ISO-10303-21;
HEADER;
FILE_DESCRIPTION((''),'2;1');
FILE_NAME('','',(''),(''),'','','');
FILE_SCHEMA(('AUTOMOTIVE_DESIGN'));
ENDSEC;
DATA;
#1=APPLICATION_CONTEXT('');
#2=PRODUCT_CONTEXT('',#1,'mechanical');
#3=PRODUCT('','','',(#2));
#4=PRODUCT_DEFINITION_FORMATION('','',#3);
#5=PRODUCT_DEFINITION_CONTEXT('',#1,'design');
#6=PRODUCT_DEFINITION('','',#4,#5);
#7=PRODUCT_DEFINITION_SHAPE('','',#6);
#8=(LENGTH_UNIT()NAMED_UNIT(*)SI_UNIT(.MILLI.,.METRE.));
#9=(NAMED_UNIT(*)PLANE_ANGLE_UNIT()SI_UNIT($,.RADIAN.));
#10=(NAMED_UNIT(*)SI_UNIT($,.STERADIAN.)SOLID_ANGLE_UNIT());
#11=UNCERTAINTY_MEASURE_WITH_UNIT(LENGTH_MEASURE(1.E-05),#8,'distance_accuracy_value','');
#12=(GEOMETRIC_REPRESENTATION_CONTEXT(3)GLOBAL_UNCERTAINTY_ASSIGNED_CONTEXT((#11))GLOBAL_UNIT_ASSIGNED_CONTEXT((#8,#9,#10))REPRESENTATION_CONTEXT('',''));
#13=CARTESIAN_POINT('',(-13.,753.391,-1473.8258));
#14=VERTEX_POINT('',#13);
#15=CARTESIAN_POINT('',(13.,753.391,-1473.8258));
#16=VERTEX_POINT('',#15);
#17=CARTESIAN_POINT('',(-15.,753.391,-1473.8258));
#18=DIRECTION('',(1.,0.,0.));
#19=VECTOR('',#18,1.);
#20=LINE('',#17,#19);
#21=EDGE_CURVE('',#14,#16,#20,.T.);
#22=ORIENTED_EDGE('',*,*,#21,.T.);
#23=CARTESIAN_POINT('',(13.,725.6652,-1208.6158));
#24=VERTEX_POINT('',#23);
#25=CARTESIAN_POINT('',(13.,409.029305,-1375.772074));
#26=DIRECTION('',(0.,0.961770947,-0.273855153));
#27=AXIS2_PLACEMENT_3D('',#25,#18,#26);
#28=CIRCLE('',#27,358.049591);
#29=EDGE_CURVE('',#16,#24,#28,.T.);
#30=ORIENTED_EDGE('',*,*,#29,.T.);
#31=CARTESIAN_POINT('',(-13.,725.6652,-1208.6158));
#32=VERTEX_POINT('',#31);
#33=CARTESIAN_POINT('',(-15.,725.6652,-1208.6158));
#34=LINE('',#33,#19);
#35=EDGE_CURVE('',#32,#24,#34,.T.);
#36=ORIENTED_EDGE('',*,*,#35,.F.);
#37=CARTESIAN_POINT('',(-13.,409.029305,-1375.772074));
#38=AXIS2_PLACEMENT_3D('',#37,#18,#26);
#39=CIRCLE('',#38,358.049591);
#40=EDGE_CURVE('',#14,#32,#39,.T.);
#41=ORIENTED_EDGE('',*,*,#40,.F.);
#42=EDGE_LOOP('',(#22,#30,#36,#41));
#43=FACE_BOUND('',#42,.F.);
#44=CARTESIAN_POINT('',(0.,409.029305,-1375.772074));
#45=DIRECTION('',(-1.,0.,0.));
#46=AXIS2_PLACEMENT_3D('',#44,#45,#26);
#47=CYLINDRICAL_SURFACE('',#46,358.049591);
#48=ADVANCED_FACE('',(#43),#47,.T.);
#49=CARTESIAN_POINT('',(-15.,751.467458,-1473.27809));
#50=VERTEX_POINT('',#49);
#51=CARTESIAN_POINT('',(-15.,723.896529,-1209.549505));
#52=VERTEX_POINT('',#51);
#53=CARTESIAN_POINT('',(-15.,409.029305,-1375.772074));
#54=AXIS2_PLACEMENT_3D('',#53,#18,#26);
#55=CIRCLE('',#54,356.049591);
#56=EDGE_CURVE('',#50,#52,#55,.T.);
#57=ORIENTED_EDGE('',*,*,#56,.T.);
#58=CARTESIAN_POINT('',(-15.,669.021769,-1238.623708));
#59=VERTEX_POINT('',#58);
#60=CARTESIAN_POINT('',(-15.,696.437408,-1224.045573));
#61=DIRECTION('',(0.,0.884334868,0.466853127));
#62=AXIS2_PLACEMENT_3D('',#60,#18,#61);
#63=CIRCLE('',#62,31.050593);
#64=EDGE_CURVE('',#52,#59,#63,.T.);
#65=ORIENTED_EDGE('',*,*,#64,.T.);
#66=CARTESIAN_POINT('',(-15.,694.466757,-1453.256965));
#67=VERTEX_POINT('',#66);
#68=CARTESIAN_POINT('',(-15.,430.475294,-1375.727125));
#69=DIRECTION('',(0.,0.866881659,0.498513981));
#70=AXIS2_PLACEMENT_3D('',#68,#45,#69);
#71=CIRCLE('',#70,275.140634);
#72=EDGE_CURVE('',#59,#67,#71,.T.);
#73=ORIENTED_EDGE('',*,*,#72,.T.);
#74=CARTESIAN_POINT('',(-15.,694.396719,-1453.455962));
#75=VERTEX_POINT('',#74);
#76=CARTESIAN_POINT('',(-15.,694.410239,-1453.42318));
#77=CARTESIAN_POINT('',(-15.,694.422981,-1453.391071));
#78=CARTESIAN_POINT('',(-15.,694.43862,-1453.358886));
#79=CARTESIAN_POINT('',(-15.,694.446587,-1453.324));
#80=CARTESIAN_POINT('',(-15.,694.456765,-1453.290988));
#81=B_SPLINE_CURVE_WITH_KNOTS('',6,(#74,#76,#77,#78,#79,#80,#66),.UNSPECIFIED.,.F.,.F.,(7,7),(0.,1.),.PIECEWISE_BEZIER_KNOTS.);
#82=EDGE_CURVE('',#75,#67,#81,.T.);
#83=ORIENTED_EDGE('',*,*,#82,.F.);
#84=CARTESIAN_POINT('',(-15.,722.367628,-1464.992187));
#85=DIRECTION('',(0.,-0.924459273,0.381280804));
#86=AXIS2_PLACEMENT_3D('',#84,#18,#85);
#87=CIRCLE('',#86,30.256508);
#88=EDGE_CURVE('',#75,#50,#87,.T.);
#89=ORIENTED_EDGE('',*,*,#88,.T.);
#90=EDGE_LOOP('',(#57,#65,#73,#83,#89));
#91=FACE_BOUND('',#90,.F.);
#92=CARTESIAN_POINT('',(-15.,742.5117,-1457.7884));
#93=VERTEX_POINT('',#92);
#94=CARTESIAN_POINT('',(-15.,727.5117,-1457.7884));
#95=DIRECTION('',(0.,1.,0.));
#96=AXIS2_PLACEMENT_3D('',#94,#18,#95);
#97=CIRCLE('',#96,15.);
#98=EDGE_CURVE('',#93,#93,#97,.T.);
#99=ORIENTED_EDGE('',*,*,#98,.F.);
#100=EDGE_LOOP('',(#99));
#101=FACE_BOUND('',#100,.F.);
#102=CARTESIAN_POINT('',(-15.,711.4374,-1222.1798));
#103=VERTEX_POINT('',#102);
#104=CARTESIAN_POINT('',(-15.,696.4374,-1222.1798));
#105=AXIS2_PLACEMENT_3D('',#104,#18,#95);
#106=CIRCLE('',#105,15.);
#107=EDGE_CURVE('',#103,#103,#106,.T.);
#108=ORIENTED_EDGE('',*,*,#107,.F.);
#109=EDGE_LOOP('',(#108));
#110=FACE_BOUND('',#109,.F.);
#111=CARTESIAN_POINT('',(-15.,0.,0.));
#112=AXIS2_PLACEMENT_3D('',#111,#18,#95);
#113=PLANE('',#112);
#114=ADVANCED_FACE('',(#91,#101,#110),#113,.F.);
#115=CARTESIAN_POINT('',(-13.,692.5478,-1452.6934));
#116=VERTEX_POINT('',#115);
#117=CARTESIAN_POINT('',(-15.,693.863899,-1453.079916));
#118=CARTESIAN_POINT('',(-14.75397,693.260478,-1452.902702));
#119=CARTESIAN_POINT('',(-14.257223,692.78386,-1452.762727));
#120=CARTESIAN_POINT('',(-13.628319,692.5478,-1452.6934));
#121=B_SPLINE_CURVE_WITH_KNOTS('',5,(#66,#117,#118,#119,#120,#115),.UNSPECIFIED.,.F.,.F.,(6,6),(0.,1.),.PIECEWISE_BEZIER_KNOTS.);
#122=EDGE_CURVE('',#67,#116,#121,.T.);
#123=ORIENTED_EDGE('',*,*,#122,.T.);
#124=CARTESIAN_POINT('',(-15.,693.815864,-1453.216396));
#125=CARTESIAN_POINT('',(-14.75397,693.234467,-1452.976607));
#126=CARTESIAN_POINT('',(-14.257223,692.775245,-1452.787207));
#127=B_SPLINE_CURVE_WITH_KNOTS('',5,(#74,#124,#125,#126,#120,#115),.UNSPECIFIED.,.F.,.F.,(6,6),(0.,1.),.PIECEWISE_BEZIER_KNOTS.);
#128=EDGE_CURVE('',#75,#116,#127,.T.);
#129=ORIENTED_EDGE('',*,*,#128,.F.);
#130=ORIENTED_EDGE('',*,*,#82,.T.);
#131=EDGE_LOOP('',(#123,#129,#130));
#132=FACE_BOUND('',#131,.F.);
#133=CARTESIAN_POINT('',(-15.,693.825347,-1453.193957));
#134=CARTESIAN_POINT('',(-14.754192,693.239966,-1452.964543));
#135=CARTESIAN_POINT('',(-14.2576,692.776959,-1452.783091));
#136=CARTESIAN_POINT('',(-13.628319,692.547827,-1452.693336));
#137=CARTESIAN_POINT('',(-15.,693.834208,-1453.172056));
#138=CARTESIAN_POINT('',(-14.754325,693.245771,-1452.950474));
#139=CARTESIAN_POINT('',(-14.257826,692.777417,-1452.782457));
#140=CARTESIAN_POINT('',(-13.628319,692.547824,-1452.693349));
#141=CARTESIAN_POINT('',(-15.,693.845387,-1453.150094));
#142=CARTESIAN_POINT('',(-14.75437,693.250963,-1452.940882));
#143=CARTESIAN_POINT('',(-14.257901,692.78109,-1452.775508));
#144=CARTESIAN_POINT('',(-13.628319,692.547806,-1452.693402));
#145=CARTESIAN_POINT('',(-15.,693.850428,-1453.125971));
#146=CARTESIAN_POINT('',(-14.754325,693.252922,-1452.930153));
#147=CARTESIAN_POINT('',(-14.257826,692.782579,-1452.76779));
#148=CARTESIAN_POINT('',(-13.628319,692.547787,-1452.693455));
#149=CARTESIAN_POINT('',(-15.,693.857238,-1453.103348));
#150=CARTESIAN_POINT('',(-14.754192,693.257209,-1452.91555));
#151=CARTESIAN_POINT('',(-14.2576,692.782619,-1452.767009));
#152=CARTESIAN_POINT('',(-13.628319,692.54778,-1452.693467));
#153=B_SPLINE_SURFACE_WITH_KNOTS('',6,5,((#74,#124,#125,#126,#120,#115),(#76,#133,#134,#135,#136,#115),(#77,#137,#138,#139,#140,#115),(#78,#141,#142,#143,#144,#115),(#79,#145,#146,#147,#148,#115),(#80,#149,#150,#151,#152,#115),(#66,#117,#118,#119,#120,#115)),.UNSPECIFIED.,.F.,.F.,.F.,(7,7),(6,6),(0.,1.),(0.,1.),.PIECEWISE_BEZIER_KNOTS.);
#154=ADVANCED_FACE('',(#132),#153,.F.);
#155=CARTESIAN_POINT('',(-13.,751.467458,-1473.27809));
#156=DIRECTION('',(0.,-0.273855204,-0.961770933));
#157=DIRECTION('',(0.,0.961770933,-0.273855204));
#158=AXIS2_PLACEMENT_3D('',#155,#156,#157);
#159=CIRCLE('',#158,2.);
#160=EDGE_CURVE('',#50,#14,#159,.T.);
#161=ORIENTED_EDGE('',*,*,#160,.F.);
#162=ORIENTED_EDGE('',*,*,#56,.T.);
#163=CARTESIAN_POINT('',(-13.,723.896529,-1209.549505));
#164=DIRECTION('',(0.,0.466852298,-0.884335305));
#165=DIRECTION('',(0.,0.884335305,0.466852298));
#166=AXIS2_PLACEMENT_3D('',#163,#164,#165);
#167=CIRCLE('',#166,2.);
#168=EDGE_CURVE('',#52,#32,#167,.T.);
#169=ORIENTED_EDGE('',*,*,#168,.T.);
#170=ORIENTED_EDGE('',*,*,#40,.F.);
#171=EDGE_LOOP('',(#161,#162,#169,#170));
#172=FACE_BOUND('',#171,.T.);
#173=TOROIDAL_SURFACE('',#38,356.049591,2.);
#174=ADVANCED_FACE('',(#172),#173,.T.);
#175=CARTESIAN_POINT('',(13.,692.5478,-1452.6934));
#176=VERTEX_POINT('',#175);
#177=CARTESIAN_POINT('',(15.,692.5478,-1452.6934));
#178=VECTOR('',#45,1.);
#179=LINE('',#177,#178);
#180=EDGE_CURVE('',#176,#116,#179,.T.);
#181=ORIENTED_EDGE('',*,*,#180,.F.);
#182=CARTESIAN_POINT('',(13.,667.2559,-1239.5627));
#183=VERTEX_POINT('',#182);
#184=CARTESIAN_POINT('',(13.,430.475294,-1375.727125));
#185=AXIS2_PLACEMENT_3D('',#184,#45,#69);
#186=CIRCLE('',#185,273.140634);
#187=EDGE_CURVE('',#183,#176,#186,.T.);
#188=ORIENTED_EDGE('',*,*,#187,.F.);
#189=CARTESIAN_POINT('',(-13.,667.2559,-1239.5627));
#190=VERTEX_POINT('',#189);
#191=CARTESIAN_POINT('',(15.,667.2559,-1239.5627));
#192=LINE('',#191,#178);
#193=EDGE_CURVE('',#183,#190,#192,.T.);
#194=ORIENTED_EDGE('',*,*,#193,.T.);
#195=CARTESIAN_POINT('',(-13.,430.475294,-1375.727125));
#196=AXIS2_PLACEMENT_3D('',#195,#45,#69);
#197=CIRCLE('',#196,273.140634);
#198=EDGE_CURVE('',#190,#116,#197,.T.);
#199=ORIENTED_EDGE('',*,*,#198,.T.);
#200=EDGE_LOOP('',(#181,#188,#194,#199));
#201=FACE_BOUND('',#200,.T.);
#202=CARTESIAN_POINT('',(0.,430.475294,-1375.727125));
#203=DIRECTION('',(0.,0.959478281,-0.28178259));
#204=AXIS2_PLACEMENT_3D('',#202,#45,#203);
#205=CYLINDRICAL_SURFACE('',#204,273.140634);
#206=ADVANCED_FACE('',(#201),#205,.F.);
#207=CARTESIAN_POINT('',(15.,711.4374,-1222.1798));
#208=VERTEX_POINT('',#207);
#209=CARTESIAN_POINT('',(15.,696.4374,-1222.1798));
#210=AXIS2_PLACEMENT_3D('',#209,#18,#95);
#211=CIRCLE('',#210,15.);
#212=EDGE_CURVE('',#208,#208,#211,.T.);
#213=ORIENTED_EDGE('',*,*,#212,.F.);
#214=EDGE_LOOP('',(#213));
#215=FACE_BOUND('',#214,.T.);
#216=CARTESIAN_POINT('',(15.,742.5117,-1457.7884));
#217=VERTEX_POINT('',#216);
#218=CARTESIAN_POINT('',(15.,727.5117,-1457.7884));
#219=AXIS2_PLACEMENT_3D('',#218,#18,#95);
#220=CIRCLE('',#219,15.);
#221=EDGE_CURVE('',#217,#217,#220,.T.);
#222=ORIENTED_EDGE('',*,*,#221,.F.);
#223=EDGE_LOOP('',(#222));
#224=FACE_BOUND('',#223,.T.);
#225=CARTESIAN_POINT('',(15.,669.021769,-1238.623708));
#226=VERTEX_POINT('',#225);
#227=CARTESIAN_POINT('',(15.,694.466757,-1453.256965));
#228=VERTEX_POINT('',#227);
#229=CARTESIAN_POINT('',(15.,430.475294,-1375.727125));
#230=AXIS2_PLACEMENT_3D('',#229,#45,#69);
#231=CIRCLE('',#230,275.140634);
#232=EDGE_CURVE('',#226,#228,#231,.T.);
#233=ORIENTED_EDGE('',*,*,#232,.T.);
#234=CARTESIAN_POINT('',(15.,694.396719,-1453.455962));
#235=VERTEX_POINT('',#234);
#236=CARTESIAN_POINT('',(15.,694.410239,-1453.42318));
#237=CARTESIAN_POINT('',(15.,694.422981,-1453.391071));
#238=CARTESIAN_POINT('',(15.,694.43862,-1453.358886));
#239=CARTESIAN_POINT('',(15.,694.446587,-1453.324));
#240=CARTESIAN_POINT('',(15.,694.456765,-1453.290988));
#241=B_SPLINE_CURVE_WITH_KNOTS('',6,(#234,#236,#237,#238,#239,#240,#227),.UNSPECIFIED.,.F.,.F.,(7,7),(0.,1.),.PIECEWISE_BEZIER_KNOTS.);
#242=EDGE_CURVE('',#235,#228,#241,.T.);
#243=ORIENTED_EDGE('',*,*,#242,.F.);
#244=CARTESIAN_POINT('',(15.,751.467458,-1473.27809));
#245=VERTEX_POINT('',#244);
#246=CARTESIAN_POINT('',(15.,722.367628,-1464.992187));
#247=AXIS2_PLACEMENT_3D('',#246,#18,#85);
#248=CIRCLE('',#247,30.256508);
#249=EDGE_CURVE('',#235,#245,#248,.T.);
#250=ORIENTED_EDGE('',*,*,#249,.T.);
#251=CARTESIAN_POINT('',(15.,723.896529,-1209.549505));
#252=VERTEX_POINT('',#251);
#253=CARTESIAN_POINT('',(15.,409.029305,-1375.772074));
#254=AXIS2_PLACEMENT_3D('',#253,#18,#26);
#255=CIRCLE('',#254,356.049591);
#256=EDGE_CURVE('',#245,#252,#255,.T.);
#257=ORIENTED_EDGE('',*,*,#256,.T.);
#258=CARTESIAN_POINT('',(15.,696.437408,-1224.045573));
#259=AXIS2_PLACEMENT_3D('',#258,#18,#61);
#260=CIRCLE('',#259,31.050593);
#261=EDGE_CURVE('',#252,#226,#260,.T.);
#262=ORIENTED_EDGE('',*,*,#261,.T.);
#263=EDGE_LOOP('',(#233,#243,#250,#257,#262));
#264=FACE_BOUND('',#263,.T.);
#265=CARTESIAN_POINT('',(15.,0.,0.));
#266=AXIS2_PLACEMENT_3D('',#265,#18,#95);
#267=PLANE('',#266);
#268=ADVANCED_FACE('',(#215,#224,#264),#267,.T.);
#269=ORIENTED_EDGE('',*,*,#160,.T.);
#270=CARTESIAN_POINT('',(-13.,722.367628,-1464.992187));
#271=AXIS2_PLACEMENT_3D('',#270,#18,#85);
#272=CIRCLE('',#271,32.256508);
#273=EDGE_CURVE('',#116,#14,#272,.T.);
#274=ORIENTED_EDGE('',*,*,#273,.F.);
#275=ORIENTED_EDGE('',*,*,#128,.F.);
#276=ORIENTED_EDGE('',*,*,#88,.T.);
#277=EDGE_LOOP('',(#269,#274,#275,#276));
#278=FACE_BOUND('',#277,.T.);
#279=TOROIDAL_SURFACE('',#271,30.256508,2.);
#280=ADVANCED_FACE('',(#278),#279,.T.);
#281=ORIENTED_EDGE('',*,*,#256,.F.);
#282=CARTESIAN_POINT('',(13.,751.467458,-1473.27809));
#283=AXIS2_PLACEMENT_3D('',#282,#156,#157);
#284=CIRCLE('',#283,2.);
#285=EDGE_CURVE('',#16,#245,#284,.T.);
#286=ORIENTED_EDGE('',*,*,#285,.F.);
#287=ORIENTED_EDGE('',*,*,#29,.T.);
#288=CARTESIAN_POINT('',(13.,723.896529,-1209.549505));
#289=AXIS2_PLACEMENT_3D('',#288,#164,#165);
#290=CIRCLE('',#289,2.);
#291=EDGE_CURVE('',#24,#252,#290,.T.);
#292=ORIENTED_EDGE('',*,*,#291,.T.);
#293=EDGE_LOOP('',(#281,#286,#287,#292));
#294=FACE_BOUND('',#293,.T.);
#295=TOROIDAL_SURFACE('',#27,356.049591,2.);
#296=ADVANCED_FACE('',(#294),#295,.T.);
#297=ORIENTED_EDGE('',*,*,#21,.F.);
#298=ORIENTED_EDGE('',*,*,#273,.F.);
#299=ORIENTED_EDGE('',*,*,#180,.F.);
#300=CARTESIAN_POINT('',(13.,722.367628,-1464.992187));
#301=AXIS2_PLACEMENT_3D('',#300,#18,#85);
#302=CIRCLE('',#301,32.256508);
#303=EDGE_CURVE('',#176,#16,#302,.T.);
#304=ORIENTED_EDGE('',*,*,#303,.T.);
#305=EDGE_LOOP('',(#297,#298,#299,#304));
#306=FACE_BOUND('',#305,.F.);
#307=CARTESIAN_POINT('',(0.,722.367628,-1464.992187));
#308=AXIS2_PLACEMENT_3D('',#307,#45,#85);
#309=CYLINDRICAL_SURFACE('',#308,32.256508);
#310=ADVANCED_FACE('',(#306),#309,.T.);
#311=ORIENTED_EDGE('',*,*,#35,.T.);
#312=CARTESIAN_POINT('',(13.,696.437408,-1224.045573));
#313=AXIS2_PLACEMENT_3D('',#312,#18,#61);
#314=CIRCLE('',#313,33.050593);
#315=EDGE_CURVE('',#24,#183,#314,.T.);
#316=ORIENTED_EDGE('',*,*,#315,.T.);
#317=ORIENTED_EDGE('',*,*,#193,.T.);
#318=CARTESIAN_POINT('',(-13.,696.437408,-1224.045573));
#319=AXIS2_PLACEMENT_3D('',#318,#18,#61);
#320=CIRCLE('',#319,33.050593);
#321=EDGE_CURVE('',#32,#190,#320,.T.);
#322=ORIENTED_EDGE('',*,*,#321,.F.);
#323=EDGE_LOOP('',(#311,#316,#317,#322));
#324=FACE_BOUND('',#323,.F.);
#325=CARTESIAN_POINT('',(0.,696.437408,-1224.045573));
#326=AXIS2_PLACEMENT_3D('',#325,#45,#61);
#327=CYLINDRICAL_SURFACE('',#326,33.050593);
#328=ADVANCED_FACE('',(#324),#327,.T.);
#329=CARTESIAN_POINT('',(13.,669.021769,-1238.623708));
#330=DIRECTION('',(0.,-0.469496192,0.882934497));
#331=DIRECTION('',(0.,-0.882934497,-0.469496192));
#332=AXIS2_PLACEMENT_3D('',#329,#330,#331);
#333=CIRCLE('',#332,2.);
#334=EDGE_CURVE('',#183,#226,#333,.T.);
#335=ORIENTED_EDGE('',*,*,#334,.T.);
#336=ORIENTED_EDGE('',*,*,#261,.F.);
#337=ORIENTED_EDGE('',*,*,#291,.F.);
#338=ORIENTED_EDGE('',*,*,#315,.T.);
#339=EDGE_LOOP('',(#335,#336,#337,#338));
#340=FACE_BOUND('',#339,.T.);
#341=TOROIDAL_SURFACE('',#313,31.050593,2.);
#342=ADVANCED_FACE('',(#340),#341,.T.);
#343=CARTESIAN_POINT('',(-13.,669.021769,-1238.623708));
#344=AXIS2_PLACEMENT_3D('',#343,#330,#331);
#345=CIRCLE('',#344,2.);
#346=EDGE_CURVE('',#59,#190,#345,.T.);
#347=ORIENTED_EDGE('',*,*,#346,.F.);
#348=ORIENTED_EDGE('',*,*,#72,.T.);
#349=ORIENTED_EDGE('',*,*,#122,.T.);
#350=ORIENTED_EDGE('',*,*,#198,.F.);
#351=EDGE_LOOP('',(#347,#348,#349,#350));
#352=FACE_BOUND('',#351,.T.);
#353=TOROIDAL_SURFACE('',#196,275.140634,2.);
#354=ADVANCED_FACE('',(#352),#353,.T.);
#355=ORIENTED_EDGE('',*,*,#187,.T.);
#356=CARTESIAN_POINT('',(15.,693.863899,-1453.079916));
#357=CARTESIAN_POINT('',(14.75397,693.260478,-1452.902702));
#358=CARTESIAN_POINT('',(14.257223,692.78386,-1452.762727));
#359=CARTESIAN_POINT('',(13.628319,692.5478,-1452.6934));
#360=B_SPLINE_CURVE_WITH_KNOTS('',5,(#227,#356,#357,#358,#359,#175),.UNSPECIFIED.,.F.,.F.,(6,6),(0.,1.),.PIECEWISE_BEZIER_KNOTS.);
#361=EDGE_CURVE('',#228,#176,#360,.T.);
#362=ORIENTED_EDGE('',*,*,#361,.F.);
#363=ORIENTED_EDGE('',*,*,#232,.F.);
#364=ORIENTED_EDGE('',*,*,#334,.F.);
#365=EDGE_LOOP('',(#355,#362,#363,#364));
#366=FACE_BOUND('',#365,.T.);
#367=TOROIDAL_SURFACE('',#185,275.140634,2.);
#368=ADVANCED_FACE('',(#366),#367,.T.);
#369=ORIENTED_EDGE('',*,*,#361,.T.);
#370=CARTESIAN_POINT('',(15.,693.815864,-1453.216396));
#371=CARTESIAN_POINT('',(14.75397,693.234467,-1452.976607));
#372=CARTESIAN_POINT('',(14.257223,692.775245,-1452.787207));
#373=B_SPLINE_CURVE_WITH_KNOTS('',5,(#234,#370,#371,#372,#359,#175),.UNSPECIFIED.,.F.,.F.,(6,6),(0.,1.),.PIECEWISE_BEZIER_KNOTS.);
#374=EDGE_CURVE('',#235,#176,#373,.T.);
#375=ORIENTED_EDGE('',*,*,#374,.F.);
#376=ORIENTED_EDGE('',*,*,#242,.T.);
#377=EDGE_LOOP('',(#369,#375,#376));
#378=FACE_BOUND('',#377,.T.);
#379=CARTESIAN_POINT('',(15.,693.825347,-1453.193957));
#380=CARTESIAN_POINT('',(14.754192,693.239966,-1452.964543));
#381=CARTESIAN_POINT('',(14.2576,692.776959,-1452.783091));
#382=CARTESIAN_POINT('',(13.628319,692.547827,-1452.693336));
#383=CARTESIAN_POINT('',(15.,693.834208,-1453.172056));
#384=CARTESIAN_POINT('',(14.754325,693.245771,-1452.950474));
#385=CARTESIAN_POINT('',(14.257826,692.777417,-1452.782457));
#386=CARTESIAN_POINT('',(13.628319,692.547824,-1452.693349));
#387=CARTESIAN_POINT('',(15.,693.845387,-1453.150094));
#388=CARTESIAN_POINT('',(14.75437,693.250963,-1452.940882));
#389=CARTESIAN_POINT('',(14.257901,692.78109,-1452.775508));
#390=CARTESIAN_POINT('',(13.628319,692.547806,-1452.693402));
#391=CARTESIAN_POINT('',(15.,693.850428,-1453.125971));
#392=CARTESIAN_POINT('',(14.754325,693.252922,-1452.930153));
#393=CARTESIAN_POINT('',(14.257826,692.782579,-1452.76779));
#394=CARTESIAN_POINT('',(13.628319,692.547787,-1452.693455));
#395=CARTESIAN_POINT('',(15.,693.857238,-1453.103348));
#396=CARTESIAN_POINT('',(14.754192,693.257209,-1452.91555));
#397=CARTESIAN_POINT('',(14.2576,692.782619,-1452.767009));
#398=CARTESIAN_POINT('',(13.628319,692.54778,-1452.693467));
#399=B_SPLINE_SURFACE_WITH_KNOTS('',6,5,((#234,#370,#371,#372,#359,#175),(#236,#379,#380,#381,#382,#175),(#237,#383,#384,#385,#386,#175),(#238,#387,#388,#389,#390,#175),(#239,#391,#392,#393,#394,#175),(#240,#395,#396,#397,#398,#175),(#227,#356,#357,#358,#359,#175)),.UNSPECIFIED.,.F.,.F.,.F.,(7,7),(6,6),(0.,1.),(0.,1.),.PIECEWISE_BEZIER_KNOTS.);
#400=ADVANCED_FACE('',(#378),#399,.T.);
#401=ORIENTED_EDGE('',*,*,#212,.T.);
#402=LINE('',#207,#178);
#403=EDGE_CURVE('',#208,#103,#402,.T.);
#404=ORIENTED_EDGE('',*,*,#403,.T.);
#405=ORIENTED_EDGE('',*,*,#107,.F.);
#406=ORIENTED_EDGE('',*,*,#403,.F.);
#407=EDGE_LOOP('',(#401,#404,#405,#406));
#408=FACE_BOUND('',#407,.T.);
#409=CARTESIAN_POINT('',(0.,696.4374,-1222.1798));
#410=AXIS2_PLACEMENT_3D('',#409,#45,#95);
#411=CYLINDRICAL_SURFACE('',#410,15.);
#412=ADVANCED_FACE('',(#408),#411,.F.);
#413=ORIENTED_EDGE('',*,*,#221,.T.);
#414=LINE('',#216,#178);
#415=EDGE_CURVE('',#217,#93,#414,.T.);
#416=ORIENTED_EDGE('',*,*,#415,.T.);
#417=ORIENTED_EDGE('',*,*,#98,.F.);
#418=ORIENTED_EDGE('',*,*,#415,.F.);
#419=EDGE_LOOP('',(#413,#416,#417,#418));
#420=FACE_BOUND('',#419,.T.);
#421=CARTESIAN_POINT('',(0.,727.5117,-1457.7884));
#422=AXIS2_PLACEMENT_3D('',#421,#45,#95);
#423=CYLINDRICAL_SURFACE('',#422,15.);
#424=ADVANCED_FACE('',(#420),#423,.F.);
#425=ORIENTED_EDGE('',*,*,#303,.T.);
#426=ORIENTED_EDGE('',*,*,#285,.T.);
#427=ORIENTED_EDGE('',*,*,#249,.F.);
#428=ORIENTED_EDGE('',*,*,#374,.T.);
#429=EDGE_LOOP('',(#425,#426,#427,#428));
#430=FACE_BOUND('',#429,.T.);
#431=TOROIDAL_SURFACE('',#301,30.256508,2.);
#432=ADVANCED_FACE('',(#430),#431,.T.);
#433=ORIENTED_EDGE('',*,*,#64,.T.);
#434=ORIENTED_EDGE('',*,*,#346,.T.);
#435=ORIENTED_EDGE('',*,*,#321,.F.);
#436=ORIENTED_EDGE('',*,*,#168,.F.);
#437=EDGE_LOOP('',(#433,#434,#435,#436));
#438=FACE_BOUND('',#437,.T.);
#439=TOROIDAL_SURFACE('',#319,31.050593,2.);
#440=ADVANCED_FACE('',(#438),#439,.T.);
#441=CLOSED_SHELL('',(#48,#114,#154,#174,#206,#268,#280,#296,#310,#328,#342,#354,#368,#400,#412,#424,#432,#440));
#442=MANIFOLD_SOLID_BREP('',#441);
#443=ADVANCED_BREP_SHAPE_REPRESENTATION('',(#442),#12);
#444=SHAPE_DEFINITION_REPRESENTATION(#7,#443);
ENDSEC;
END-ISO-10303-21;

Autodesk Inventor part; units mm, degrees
ref_plane "YZ Plane" through (0, 0, 0) normal (1, 0, 0) x (0, 1, 0)
ref_plane "XZ Plane" through (0, 0, 0) normal (0, 1, 0) x (-1, 0, 0)
ref_plane "XY Plane" through (0, 0, 0) normal (0, 0, 1) x (1, 0, 0)
sketch "Sketch1" plane through (0, 0, 0) normal (1, 0, 0) x (0, 1, 0)
  line L0 (2812.3869, 0) -> (2812.3869, -5171.1623) construction
  line L1 (2812.3869, -5171.1623) -> (0, -5171.1623) construction
  line L2 (0, -5171.1623) -> (0, 0) construction
  line L3 (0, 0) -> (2812.3869, 0) construction
  point P0 (0, 0)
sketch "Sketch2" plane through (0, 0, 0) normal (1, 0, 0) x (0, 1, 0)
  arc A0 (753.391, -1473.8258) -> (725.6652, -1208.6158) centre (409.0296, -1375.7721) ccw
  arc A1 (692.5478, -1452.6934) -> (667.2559, -1239.5627) centre (430.475, -1375.7271) ccw
  arc A2 (725.6652, -1208.6158) -> (667.2559, -1239.5627) centre (696.4374, -1224.0456) ccw
  arc A3 (692.5478, -1452.6934) -> (753.391, -1473.8258) centre (722.3676, -1464.9922) ccw
  circle A4 centre (696.4374, -1222.1798) radius 15
  circle A5 centre (727.5117, -1457.7884) radius 15
  point P0 (0, 0)
  dimension "d4" = 30
  dimension "d5" = 30
extrude "Extrusion1" add sketch "Sketch2" along normal mid plane 30
fillet "Fillet1" radius 2 8 edges at (15, 765.1382, -1338.5435) (15, 680.964, -1194.8409) (15, 701.7128, -1343.5398) (15, 711.7843, -1495.4631) (-15, 765.1382, -1338.5435) (-15, 711.7843, -1495.4631) (-15, 701.7128, -1343.5398) (-15, 680.964, -1194.8409)
properties part number "Lankarm_kort"
